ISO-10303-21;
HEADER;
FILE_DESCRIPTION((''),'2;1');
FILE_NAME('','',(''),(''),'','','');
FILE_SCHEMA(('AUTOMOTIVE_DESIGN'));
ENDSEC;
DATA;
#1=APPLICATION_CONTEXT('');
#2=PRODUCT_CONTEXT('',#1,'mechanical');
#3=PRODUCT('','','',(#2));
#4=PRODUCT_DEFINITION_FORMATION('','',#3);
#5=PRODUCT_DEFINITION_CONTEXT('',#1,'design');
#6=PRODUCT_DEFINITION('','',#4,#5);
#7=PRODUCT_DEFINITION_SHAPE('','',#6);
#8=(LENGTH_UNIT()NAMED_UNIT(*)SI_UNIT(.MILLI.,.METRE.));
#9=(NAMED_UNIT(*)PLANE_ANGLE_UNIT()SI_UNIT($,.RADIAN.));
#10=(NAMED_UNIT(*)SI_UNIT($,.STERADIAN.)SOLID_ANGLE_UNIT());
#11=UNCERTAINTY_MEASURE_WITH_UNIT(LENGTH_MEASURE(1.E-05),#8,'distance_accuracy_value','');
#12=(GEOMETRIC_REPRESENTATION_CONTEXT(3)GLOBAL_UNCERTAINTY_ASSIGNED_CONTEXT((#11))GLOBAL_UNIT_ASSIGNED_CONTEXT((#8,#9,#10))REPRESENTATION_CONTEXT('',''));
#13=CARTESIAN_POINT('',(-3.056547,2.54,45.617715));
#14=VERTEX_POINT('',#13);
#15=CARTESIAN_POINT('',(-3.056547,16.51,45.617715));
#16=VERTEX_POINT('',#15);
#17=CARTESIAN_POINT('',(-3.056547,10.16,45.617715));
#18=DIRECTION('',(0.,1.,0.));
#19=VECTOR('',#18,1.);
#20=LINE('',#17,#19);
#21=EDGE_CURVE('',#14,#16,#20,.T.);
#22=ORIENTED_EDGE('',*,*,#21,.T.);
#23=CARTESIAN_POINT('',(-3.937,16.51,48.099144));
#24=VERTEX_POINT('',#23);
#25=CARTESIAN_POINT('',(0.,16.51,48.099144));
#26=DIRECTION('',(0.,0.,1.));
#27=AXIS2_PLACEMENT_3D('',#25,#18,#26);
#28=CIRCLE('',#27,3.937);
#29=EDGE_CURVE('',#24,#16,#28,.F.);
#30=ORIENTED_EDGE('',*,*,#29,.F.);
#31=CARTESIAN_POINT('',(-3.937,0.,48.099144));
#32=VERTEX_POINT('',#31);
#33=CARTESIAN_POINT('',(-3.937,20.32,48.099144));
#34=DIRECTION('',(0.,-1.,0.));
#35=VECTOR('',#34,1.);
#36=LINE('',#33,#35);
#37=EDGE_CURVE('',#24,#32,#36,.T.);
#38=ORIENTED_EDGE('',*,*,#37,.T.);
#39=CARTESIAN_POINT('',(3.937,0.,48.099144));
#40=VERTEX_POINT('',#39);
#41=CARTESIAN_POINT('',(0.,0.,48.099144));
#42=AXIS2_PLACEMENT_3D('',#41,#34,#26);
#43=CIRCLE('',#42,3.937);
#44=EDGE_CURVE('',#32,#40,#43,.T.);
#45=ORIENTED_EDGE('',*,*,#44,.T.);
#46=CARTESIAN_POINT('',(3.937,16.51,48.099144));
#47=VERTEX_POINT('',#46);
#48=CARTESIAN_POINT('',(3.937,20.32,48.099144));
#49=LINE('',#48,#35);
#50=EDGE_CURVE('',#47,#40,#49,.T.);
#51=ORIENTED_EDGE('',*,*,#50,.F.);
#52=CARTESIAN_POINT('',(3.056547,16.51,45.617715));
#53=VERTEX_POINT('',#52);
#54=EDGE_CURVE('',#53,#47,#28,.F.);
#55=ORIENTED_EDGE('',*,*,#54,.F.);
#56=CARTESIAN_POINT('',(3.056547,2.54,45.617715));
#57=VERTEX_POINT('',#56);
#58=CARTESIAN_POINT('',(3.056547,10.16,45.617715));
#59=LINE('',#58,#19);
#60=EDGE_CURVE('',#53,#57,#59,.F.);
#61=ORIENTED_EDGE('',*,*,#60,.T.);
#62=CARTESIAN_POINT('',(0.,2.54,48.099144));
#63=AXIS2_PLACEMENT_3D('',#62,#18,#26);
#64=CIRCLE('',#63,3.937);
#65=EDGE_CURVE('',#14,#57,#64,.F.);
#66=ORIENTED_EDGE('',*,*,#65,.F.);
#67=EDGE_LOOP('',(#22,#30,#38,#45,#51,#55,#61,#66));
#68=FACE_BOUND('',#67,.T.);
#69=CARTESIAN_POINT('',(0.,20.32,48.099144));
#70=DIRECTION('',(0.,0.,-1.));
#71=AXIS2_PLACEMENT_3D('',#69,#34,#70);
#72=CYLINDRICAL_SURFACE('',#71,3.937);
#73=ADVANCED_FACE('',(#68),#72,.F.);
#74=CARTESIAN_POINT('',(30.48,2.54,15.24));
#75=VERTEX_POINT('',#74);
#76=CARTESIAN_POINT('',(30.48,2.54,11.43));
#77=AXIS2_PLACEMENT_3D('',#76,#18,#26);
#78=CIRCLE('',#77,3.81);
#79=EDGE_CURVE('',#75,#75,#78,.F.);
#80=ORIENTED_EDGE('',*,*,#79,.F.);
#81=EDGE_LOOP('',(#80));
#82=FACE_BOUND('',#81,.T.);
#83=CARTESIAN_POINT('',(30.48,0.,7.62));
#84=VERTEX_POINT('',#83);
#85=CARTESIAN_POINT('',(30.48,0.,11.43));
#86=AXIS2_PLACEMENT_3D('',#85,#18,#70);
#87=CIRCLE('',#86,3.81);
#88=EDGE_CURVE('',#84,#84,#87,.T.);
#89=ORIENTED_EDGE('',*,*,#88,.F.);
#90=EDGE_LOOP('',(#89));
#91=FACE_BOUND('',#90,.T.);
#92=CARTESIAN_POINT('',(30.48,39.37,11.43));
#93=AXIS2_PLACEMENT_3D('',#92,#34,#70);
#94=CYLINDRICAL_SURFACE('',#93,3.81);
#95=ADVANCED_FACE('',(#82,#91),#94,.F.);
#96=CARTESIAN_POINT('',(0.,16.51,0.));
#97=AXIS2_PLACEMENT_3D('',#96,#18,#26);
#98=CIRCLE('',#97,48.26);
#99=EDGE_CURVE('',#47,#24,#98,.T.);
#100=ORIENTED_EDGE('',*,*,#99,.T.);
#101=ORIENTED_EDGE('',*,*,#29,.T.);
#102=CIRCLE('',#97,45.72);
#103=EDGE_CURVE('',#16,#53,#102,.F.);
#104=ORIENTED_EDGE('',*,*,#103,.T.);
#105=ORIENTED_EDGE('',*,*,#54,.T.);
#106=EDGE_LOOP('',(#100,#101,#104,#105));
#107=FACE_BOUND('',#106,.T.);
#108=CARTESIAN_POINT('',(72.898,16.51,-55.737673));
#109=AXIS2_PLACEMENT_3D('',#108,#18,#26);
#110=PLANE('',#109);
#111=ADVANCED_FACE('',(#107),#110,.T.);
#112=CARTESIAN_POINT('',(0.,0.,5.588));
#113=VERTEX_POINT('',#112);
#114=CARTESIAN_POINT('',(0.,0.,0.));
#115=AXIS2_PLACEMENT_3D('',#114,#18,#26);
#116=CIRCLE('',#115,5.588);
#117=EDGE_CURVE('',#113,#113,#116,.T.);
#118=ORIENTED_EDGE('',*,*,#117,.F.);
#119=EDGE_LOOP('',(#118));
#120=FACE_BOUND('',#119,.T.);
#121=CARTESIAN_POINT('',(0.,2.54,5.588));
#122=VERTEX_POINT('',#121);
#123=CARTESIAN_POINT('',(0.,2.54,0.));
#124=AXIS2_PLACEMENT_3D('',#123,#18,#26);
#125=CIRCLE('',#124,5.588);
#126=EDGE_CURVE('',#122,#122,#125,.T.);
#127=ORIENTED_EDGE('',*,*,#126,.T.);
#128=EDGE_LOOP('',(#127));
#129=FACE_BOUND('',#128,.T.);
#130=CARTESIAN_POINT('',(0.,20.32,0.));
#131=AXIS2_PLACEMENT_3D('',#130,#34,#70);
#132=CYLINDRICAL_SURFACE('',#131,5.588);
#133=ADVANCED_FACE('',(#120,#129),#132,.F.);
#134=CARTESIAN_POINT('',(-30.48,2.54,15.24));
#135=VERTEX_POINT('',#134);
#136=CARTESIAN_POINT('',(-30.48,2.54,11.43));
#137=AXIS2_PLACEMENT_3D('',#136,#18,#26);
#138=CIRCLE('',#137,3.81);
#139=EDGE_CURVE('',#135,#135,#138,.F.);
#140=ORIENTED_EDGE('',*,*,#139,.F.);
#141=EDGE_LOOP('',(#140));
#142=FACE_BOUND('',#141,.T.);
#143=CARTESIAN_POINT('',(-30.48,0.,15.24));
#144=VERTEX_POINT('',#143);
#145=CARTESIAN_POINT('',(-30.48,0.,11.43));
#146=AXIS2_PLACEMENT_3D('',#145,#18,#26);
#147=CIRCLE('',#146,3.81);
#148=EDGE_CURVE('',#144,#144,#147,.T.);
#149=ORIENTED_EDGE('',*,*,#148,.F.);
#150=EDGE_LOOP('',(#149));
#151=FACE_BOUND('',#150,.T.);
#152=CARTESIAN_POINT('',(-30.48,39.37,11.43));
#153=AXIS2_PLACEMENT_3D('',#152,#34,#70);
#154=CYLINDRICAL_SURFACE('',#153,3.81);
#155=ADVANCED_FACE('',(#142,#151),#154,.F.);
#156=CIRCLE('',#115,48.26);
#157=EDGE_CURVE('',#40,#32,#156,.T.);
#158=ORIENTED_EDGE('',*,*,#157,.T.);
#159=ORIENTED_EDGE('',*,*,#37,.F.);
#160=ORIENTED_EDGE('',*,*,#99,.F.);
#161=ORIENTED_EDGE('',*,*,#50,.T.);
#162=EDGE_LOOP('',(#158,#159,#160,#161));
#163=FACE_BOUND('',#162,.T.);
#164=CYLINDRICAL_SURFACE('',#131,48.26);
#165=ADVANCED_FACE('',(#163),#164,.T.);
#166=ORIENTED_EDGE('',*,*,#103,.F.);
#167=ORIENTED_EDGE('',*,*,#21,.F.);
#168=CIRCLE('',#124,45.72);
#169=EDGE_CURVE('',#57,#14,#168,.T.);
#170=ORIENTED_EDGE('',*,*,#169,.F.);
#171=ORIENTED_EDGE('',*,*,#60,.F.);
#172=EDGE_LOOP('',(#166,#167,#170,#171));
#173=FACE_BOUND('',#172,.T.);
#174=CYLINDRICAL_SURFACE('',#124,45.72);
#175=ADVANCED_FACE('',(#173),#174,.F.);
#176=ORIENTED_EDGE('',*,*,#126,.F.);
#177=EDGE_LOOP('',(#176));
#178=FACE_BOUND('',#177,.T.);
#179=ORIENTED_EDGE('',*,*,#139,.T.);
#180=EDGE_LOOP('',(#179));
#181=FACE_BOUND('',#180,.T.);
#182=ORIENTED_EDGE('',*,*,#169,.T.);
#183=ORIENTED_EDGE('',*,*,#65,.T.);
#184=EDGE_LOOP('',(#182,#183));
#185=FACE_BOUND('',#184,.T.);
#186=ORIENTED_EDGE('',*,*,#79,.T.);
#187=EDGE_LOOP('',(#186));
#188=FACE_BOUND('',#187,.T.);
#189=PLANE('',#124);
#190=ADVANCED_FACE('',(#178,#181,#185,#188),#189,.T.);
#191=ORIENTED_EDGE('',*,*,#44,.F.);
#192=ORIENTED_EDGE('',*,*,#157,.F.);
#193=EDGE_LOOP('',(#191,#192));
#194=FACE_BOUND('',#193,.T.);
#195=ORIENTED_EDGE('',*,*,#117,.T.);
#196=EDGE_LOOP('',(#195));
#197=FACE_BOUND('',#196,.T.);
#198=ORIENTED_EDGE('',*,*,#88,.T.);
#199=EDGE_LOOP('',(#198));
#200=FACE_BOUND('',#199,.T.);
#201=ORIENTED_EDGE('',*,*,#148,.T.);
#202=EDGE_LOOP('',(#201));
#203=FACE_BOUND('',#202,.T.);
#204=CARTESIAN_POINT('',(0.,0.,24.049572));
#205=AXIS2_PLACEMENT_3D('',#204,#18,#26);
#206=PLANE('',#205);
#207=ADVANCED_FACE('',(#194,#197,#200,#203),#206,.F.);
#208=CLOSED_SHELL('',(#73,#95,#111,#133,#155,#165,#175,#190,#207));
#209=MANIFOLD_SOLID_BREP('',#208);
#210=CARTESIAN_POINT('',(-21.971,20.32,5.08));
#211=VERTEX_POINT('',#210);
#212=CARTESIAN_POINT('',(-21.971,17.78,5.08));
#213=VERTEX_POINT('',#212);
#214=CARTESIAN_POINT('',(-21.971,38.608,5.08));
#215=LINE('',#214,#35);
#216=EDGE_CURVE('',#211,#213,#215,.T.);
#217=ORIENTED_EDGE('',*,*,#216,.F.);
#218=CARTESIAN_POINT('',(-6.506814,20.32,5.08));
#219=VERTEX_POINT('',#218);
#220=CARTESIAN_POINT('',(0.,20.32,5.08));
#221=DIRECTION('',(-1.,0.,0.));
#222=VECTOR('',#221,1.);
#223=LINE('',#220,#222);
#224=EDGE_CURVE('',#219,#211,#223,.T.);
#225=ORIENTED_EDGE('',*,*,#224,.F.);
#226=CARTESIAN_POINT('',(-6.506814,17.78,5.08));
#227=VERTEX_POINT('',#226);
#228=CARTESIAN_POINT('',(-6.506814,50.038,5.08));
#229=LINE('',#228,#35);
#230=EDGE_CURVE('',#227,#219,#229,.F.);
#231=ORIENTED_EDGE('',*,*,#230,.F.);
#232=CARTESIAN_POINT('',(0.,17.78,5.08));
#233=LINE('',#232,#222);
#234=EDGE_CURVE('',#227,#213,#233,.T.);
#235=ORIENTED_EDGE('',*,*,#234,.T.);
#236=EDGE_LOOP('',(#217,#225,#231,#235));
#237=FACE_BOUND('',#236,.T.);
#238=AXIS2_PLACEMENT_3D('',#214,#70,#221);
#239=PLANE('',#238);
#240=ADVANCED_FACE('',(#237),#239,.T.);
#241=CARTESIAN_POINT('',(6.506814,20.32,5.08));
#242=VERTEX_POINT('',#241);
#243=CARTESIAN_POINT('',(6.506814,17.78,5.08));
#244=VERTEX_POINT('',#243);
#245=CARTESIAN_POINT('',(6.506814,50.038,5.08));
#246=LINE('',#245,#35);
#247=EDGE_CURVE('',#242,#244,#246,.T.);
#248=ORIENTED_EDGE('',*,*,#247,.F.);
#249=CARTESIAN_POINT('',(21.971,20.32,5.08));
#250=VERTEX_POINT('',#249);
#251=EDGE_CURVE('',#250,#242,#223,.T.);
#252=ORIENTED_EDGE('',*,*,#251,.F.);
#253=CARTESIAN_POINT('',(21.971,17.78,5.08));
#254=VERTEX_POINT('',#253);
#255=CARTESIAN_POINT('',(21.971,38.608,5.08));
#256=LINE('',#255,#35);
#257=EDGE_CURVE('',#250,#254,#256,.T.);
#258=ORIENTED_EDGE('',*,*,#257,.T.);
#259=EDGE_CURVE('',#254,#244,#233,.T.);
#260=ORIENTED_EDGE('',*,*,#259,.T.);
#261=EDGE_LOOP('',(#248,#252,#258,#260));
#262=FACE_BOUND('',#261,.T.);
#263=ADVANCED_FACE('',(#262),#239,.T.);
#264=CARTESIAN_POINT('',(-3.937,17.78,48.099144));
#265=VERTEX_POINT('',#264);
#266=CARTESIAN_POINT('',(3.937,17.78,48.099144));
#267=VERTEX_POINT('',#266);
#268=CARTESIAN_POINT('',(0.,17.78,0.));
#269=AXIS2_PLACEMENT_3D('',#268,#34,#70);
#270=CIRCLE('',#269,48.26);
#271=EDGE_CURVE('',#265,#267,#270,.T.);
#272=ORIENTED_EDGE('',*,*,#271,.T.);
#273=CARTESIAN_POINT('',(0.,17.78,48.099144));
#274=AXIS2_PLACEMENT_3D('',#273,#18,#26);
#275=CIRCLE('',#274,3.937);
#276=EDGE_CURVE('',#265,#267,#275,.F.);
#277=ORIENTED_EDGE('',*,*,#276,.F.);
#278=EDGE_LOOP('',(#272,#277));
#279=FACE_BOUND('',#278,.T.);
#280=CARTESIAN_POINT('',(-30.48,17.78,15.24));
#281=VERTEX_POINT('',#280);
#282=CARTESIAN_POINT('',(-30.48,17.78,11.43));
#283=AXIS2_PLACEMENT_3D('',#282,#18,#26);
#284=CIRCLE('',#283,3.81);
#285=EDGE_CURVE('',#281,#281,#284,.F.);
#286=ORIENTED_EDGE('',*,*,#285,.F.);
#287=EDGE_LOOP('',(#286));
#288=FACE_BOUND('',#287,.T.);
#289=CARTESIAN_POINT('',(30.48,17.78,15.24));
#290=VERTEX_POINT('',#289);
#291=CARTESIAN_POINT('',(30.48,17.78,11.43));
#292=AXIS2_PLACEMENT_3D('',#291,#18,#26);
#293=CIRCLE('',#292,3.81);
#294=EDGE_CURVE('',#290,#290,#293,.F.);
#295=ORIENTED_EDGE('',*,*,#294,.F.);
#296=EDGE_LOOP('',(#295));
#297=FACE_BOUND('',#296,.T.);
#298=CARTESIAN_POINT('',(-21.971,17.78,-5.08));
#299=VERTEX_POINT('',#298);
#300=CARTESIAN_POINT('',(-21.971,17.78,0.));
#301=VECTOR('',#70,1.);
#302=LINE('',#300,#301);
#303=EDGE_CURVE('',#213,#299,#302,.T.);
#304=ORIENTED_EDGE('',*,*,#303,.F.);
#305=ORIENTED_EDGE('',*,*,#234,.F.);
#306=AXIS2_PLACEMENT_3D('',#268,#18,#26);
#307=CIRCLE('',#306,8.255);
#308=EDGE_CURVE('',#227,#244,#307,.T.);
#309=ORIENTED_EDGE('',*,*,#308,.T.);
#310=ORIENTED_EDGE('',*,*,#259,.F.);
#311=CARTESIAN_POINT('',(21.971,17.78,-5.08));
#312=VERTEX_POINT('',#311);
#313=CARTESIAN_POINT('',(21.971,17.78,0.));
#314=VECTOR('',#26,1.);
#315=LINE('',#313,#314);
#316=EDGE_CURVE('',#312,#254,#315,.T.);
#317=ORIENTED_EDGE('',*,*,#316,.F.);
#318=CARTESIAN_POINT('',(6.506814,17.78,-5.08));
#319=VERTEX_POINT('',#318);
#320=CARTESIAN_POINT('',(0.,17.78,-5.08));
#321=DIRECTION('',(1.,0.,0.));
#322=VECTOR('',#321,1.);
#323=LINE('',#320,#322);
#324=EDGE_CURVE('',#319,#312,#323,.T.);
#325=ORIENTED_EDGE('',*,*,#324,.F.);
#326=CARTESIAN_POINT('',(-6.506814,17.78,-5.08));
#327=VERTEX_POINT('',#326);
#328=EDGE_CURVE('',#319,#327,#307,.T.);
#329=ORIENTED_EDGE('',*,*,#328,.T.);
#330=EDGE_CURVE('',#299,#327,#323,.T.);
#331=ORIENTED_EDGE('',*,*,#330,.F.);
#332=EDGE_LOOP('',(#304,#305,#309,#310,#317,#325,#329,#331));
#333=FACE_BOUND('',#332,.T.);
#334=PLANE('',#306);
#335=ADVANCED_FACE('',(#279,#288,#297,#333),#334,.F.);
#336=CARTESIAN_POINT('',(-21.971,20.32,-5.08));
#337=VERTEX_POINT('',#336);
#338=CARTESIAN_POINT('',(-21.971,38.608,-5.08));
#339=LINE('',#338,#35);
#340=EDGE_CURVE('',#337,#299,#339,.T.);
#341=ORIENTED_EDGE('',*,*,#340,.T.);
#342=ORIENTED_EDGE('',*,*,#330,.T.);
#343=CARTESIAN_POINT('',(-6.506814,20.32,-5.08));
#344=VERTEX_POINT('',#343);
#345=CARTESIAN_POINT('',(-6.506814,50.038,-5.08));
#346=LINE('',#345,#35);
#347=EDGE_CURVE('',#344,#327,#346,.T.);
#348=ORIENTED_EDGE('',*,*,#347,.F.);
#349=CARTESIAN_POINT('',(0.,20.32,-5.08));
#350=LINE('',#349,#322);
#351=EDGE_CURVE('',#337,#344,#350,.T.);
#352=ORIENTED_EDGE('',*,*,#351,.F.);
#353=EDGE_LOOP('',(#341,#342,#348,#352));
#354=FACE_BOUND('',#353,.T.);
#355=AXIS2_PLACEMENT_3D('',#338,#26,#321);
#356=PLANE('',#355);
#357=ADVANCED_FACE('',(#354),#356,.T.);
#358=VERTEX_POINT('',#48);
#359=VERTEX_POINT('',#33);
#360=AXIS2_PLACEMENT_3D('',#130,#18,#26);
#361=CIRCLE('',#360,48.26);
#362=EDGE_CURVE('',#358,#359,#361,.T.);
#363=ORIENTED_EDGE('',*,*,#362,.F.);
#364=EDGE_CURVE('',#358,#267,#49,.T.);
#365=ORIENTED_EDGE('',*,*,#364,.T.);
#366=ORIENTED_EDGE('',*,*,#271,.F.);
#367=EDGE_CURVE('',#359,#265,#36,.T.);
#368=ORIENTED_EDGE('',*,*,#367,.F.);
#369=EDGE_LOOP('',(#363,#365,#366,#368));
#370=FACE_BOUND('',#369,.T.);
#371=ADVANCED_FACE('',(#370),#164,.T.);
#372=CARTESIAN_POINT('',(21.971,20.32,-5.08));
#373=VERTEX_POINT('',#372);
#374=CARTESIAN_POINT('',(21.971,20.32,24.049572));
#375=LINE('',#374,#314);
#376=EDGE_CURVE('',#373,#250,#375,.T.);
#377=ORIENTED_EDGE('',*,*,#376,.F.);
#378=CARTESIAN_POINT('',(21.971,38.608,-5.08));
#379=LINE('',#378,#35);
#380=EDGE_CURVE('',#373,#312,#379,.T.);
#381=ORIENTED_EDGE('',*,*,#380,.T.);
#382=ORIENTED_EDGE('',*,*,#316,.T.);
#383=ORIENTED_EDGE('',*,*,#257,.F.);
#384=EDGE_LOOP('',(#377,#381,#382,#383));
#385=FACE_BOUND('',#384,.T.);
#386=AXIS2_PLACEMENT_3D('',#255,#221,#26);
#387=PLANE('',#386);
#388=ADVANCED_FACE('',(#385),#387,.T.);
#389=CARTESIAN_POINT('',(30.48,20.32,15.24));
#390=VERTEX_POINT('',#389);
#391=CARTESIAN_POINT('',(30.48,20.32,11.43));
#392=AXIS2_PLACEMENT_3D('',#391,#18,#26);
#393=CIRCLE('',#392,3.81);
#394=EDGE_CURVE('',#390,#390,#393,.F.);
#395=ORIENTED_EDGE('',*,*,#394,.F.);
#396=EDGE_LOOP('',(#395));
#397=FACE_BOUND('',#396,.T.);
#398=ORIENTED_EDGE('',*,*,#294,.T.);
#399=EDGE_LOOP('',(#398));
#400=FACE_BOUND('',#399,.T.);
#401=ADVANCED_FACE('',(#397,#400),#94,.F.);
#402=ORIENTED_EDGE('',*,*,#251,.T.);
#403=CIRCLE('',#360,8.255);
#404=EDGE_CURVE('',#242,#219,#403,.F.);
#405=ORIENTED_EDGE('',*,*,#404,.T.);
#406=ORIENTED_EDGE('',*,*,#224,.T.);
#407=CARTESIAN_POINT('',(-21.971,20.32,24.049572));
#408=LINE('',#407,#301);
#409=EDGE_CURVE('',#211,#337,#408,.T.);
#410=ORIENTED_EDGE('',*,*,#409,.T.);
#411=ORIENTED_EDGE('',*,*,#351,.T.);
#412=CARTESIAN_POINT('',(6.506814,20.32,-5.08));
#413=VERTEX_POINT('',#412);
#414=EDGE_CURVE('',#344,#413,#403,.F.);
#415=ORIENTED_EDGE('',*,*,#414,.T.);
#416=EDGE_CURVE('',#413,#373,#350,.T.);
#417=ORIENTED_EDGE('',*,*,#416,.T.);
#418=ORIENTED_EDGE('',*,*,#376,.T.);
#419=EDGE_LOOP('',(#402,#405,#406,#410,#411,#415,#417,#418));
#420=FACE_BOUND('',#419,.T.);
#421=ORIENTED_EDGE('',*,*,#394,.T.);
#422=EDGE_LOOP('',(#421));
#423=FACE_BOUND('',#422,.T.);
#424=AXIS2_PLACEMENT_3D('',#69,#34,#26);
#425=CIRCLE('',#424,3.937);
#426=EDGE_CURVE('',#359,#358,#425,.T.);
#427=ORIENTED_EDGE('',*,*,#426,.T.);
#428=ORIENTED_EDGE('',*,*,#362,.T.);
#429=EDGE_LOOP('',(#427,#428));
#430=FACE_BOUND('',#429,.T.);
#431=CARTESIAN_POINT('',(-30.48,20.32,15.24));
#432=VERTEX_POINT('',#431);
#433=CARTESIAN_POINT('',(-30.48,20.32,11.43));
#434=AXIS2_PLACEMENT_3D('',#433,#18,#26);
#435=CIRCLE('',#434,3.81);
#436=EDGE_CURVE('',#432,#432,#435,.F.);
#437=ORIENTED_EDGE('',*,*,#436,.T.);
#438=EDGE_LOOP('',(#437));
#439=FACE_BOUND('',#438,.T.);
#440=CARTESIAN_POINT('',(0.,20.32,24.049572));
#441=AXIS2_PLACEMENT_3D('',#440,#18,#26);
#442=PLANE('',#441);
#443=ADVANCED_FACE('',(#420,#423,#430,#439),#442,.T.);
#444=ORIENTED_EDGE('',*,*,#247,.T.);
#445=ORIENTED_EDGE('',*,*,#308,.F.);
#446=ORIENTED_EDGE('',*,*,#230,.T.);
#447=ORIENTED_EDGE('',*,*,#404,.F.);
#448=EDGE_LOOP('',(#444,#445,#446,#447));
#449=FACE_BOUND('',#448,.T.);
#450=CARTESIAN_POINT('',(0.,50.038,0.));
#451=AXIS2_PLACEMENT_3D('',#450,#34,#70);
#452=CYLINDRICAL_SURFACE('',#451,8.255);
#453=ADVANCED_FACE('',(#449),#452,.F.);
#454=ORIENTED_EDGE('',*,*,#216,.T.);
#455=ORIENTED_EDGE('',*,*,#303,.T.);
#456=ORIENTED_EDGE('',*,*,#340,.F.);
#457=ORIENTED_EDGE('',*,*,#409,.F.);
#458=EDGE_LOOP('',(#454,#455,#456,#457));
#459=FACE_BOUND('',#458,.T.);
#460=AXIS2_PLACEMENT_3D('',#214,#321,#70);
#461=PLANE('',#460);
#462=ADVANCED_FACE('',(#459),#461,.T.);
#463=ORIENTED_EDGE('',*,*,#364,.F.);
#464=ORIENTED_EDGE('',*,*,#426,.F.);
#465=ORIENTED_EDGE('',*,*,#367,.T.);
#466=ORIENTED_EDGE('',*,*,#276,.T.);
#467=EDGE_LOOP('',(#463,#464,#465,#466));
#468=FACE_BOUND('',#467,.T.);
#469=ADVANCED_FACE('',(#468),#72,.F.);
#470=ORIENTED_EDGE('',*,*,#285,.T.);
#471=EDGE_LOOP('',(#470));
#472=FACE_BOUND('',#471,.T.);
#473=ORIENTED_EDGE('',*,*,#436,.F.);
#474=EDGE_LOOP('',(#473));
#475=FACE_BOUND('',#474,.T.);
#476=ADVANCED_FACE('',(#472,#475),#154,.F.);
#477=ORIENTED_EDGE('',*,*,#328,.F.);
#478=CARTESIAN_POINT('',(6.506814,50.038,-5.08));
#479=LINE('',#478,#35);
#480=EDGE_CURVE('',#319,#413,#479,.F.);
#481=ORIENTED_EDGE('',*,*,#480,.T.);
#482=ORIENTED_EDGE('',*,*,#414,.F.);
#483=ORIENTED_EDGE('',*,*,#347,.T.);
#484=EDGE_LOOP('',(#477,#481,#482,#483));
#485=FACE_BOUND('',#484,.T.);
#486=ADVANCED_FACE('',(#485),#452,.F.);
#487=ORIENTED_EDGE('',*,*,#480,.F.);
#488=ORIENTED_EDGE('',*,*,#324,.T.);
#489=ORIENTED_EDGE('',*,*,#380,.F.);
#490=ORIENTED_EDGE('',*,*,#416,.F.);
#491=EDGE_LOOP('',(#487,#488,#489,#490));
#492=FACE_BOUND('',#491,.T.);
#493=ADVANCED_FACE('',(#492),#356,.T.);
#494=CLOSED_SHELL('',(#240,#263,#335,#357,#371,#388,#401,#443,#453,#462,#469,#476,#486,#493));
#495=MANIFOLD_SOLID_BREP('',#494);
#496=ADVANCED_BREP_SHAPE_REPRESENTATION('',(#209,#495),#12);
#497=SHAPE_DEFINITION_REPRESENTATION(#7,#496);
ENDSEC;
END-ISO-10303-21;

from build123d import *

# Parameters (mm, degrees)
SKETCH1_R               = 5.588
BOSS_EXTRUDE1_DEPTH     = 20.32
CUT_EXTRUDE5_START      = 2.54
SKETCH5_R               = 8.255
CUT_EXTRUDE5_DEPTH      = 47.498
CUT_EXTRUDE7_START      = 17.78
SKETCH6_R               = 45.72
CUT_EXTRUDE7_DEPTH      = 15.24
CUT_EXTRUDE8_START      = 10.16
SKETCH7_W               = 43.942
SKETCH7_H               = 10.16
CUT_EXTRUDE8_DEPTH      = 28.448
CUT_EXTRUDE9_DEPTH      = 72.898
CUT_EXTRUDE9_DEPTH_BACK = 70.612
SKETCH8_W               = 108.573094023
SKETCH8_H               = 1.27
SKETCH9_R               = 3.81
CUT_EXTRUDE10_DEPTH     = 39.37


with BuildPart() as part:
    # Sketch1 → Boss-Extrude1 (new body)
    with BuildSketch(Plane(origin=(0, 0, 0), x_dir=(1, 0, 0), z_dir=(0, 1, 0))):
        with BuildLine():
            ThreePointArc((3.937, -48.099143766), (0, 48.26), (-3.937, -48.099143766))
            ThreePointArc((-3.937, -48.099143766), (0, -44.162143766), (3.937, -48.099143766))
        make_face()
        with Locations(Location((0, 0, 0), (0, 0, 270))):
            Circle(SKETCH1_R, mode=Mode.SUBTRACT)
    extrude(amount=BOSS_EXTRUDE1_DEPTH)

    # Sketch5 → Cut-Extrude5 (cut)
    with BuildSketch(Plane(origin=(0, 0, 0), x_dir=(1, 0, 0), z_dir=(0, 1, 0)).offset(CUT_EXTRUDE5_START)):
        with Locations(Location((0, 0, 0), (0, 0, 90))):
            Circle(SKETCH5_R)
    extrude(amount=CUT_EXTRUDE5_DEPTH, mode=Mode.SUBTRACT)

    # Sketch6 → Cut-Extrude7 (cut)
    with BuildSketch(Plane(origin=(0, 0, 0), x_dir=(1, 0, 0), z_dir=(0, 1, 0)).offset(CUT_EXTRUDE7_START)):
        Circle(SKETCH6_R)
    extrude(amount=-CUT_EXTRUDE7_DEPTH, mode=Mode.SUBTRACT)

    # Sketch7 → Cut-Extrude8 (cut)
    with BuildSketch(Plane(origin=(0, 0, 0), x_dir=(1, 0, 0), z_dir=(0, 1, 0)).offset(CUT_EXTRUDE8_START)):
        Rectangle(SKETCH7_W, SKETCH7_H)
    extrude(amount=CUT_EXTRUDE8_DEPTH, mode=Mode.SUBTRACT)

    # Sketch8 → Cut-Extrude9 (cut, two sides: drawn at the far end of the back side and taken through both)
    with BuildSketch(Plane(origin=(0, 0, 0), x_dir=(0, 0, -1), z_dir=(1, 0, 0)).offset(-CUT_EXTRUDE9_DEPTH_BACK)):
        with Locations((1.451126255, 17.145)):
            Rectangle(SKETCH8_W, SKETCH8_H)
    extrude(amount=CUT_EXTRUDE9_DEPTH + CUT_EXTRUDE9_DEPTH_BACK, mode=Mode.SUBTRACT)


with BuildPart() as cut_extrude9_piece_1:
    # of the separate pieces the step leaves, piece 1, a body of its own (cut_extrude9_pieces)
    add(part.part.solids().sort_by_distance((-3.937, 0, 48.099143766))[0])


with BuildPart() as cut_extrude9_piece_2:
    # of the separate pieces the step leaves, piece 2, a body of its own (cut_extrude9_pieces)
    add(part.part.solids().sort_by_distance((-3.937, 17.78, 48.099143766))[0])


with BuildPart() as cut_extrude10_tool:
    # Sketch9 → Cut-Extrude10 (new body)
    with BuildSketch(Plane(origin=(0, 0, 0), x_dir=(1, 0, 0), z_dir=(0, 1, 0))):
        with Locations(Location((-30.48, -11.43, 0), (0, 0, 270))):
            Circle(SKETCH9_R)
        with Locations(Location((30.48, -11.43, 0), (0, 0, 270))):
            Circle(SKETCH9_R)
    extrude(amount=CUT_EXTRUDE10_DEPTH)


with BuildPart() as cut_extrude9_piece_1_1:
    add(cut_extrude9_piece_1.part)

    # Cut-Extrude10: cut by cut_extrude10_tool
    add(cut_extrude10_tool.part, mode=Mode.SUBTRACT)


with BuildPart() as cut_extrude9_piece_2_1:
    add(cut_extrude9_piece_2.part)

    # Cut-Extrude10: cut by cut_extrude10_tool
    add(cut_extrude10_tool.part, mode=Mode.SUBTRACT)


solid = Compound([cut_extrude9_piece_1_1.part, cut_extrude9_piece_2_1.part])
